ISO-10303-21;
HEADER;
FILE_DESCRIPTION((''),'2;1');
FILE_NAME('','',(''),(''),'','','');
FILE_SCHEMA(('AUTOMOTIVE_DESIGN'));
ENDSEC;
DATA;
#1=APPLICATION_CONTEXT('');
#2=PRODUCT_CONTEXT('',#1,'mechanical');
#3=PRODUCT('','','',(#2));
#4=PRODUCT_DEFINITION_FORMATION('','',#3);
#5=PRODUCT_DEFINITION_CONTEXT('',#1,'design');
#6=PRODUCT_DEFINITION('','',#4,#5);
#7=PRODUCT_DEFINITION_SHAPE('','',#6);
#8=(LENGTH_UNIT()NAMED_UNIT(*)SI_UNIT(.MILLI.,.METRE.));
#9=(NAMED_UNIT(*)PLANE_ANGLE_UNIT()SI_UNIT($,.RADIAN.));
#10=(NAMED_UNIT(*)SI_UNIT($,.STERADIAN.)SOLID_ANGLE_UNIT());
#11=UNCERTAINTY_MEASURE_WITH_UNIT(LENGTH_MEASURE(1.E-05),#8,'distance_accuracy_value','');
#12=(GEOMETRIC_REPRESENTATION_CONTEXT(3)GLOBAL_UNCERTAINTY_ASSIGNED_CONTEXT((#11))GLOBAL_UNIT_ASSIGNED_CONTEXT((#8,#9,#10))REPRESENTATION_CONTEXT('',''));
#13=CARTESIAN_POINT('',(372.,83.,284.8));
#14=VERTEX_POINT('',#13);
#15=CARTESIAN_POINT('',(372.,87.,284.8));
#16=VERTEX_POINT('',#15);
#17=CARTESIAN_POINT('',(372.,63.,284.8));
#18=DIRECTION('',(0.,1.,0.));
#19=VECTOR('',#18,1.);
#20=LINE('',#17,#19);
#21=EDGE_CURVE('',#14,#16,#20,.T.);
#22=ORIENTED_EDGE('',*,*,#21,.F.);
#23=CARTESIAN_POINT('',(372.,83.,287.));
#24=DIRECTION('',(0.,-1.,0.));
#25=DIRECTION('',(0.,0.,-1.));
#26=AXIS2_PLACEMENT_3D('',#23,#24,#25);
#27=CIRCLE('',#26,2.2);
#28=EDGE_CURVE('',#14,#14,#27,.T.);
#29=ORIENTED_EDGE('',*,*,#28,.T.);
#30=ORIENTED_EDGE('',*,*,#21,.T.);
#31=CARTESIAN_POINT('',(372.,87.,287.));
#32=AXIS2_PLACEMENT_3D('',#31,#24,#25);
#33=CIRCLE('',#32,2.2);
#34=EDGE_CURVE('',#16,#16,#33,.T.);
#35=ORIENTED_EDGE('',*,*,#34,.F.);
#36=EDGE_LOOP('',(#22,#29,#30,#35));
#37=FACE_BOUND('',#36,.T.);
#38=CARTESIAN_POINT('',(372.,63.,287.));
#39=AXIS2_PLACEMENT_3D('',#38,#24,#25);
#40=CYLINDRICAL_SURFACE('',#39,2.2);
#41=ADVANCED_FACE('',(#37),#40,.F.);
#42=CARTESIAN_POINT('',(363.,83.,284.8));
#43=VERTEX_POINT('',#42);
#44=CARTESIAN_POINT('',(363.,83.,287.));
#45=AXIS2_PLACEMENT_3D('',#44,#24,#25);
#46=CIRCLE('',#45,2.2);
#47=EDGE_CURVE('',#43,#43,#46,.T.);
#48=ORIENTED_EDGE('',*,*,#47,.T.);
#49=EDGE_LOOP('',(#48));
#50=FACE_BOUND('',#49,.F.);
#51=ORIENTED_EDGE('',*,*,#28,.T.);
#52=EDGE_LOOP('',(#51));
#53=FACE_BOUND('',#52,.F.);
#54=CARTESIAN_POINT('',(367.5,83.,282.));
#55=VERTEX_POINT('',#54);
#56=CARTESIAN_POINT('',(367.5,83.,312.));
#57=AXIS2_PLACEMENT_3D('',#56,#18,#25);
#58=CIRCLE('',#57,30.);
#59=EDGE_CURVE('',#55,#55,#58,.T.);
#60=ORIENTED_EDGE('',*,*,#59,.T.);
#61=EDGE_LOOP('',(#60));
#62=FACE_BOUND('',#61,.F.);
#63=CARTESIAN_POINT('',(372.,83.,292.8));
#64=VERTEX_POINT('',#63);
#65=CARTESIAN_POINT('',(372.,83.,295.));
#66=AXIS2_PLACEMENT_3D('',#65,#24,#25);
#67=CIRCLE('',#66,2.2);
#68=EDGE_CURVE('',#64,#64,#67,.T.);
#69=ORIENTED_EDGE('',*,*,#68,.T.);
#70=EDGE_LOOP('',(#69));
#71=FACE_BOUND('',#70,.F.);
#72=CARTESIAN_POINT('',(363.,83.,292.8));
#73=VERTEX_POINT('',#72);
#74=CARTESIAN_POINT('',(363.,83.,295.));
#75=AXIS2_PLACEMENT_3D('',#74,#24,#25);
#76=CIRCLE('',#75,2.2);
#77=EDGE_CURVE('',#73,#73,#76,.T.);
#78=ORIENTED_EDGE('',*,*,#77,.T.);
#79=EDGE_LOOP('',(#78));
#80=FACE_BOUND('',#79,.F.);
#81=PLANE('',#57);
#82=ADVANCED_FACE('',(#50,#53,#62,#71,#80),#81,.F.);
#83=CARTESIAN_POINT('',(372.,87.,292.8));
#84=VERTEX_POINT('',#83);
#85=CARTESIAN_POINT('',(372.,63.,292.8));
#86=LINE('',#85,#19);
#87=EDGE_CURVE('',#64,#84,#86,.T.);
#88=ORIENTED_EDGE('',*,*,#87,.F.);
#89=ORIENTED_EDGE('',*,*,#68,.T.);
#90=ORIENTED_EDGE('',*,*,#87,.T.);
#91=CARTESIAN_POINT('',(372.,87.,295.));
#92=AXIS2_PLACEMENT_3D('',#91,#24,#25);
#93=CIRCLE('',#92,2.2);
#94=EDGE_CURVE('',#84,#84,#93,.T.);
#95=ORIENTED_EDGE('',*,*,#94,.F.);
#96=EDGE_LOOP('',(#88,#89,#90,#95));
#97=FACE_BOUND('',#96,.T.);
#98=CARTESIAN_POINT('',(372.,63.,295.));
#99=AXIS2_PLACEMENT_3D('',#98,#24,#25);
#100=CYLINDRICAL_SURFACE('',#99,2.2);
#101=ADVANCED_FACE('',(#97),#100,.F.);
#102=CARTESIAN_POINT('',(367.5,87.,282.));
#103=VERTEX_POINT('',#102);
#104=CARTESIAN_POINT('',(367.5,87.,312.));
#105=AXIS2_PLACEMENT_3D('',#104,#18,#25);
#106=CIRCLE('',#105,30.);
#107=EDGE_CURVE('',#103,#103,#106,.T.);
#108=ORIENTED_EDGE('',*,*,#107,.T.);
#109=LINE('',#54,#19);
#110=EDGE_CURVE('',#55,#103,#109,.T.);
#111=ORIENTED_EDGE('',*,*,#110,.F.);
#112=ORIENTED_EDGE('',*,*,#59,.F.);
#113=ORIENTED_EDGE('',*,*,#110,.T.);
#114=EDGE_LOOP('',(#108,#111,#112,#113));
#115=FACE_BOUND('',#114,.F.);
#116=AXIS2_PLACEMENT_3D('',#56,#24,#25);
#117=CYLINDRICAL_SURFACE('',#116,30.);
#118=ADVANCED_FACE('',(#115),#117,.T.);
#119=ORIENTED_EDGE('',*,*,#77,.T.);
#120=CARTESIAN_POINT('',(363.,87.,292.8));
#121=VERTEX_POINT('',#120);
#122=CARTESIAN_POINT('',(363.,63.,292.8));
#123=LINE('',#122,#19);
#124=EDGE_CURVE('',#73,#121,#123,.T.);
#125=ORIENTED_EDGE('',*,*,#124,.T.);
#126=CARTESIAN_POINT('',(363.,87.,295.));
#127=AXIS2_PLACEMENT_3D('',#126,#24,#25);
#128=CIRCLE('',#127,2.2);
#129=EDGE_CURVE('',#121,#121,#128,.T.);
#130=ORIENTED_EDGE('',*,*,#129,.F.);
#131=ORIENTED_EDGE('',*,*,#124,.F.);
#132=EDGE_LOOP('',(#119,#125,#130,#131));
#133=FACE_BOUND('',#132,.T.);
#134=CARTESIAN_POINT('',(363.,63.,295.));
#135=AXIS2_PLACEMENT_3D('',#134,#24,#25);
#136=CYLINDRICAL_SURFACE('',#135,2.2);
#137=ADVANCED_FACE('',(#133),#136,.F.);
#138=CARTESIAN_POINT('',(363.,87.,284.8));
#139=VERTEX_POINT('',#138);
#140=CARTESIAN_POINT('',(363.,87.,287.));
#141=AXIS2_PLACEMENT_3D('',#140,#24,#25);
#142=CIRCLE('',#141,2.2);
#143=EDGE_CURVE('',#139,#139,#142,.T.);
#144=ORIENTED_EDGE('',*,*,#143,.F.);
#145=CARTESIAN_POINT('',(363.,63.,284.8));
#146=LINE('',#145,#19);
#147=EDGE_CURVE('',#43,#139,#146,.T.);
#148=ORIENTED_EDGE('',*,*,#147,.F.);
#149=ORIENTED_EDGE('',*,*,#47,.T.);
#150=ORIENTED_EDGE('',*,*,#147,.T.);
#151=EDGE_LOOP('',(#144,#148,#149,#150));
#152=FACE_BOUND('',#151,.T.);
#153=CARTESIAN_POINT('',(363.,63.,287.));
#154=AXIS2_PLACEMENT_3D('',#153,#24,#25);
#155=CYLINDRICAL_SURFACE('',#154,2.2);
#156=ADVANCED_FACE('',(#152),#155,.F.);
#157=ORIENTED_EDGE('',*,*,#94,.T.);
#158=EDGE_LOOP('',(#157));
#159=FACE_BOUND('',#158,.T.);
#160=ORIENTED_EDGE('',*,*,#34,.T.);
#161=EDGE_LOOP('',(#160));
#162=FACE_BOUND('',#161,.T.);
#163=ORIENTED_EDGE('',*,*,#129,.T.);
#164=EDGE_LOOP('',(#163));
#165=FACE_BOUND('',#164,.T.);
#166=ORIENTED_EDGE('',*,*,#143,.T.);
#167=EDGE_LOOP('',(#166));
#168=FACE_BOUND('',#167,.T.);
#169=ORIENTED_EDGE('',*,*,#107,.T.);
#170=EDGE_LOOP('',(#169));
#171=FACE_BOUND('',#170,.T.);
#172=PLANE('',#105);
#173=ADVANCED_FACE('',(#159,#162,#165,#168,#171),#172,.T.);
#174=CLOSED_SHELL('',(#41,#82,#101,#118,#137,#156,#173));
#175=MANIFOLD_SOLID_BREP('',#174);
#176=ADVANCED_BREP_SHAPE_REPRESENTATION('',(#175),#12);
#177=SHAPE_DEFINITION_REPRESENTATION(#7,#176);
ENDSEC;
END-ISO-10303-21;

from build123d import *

# Parameters (mm, degrees)
CYLINDER035_R          = 2.2
CYLINDER035_DEPTH      = 26
CYLINDER035_ROLL_ANGLE = -90
ARRAY005_X_COUNT       = 2
ARRAY005_X_PITCH       = 8
ARRAY005_Z_COUNT       = 2
ARRAY005_Z_PITCH       = 9
CYLINDER034_R          = 30
CYLINDER034_DEPTH      = 4
CYLINDER034_ROLL_ANGLE = -90
CUT016_PITCH_ANGLE     = 90


with BuildPart() as taladros_suje_traccion003:
    # Cylinder035 → Cylinder035 (new body)
    with BuildSketch(Plane.XY):
        Circle(CYLINDER035_R)
    extrude(amount=CYLINDER035_DEPTH)


with BuildPart() as taladros_suje_traccion003_1:
    # Cylinder035 roll: moved
    add(taladros_suje_traccion003.part.rotate(Axis((0, 0, 0), (1, 0, 0)), CYLINDER035_ROLL_ANGLE))


with BuildPart() as taladros_suje_traccion003_2:
    # Cylinder035 placement: moved
    add(taladros_suje_traccion003_1.part.moved(Location((202, 0, 4))))

    # Array005 X: Taladros_suje_traccion003 ×2


with BuildPart() as taladros_suje_traccion003_3:
    add(taladros_suje_traccion003_2.part)
    with Locations(*[(i * ARRAY005_X_PITCH, 0, 0) for i in range(1, ARRAY005_X_COUNT)]):
        add(taladros_suje_traccion003_2.part)

    # Array005 Z: Taladros_suje_traccion003 ×2


with BuildPart() as taladros_suje_traccion003_4:
    add(taladros_suje_traccion003_3.part)
    with Locations(*[(0, 0, i * ARRAY005_Z_PITCH) for i in range(1, ARRAY005_Z_COUNT)]):
        add(taladros_suje_traccion003_3.part)


with BuildPart() as traccion001:
    # Cylinder034 → Cylinder034 (new body)
    with BuildSketch(Plane.XY):
        Circle(CYLINDER034_R)
    extrude(amount=CYLINDER034_DEPTH)


with BuildPart() as traccion001_1:
    # Cylinder034 roll: moved
    add(traccion001.part.rotate(Axis((0, 0, 0), (1, 0, 0)), CYLINDER034_ROLL_ANGLE))


with BuildPart() as traccion001_2:
    # Cylinder034 placement: moved
    add(traccion001_1.part.moved(Location((185, 20, 8.5))))

    # Cut016: cut Taladros_suje_traccion003
    add(taladros_suje_traccion003_4.part, mode=Mode.SUBTRACT)


with BuildPart() as traccion001_3:
    # Cut016 pitch: moved
    add(traccion001_2.part.rotate(Axis((0, 0, 0), (0, 1, 0)), CUT016_PITCH_ANGLE))


with BuildPart() as traccion001_4:
    # Cut016 placement: moved
    add(traccion001_3.part.moved(Location((359, 63, 497))))


solid = traccion001_4.part
